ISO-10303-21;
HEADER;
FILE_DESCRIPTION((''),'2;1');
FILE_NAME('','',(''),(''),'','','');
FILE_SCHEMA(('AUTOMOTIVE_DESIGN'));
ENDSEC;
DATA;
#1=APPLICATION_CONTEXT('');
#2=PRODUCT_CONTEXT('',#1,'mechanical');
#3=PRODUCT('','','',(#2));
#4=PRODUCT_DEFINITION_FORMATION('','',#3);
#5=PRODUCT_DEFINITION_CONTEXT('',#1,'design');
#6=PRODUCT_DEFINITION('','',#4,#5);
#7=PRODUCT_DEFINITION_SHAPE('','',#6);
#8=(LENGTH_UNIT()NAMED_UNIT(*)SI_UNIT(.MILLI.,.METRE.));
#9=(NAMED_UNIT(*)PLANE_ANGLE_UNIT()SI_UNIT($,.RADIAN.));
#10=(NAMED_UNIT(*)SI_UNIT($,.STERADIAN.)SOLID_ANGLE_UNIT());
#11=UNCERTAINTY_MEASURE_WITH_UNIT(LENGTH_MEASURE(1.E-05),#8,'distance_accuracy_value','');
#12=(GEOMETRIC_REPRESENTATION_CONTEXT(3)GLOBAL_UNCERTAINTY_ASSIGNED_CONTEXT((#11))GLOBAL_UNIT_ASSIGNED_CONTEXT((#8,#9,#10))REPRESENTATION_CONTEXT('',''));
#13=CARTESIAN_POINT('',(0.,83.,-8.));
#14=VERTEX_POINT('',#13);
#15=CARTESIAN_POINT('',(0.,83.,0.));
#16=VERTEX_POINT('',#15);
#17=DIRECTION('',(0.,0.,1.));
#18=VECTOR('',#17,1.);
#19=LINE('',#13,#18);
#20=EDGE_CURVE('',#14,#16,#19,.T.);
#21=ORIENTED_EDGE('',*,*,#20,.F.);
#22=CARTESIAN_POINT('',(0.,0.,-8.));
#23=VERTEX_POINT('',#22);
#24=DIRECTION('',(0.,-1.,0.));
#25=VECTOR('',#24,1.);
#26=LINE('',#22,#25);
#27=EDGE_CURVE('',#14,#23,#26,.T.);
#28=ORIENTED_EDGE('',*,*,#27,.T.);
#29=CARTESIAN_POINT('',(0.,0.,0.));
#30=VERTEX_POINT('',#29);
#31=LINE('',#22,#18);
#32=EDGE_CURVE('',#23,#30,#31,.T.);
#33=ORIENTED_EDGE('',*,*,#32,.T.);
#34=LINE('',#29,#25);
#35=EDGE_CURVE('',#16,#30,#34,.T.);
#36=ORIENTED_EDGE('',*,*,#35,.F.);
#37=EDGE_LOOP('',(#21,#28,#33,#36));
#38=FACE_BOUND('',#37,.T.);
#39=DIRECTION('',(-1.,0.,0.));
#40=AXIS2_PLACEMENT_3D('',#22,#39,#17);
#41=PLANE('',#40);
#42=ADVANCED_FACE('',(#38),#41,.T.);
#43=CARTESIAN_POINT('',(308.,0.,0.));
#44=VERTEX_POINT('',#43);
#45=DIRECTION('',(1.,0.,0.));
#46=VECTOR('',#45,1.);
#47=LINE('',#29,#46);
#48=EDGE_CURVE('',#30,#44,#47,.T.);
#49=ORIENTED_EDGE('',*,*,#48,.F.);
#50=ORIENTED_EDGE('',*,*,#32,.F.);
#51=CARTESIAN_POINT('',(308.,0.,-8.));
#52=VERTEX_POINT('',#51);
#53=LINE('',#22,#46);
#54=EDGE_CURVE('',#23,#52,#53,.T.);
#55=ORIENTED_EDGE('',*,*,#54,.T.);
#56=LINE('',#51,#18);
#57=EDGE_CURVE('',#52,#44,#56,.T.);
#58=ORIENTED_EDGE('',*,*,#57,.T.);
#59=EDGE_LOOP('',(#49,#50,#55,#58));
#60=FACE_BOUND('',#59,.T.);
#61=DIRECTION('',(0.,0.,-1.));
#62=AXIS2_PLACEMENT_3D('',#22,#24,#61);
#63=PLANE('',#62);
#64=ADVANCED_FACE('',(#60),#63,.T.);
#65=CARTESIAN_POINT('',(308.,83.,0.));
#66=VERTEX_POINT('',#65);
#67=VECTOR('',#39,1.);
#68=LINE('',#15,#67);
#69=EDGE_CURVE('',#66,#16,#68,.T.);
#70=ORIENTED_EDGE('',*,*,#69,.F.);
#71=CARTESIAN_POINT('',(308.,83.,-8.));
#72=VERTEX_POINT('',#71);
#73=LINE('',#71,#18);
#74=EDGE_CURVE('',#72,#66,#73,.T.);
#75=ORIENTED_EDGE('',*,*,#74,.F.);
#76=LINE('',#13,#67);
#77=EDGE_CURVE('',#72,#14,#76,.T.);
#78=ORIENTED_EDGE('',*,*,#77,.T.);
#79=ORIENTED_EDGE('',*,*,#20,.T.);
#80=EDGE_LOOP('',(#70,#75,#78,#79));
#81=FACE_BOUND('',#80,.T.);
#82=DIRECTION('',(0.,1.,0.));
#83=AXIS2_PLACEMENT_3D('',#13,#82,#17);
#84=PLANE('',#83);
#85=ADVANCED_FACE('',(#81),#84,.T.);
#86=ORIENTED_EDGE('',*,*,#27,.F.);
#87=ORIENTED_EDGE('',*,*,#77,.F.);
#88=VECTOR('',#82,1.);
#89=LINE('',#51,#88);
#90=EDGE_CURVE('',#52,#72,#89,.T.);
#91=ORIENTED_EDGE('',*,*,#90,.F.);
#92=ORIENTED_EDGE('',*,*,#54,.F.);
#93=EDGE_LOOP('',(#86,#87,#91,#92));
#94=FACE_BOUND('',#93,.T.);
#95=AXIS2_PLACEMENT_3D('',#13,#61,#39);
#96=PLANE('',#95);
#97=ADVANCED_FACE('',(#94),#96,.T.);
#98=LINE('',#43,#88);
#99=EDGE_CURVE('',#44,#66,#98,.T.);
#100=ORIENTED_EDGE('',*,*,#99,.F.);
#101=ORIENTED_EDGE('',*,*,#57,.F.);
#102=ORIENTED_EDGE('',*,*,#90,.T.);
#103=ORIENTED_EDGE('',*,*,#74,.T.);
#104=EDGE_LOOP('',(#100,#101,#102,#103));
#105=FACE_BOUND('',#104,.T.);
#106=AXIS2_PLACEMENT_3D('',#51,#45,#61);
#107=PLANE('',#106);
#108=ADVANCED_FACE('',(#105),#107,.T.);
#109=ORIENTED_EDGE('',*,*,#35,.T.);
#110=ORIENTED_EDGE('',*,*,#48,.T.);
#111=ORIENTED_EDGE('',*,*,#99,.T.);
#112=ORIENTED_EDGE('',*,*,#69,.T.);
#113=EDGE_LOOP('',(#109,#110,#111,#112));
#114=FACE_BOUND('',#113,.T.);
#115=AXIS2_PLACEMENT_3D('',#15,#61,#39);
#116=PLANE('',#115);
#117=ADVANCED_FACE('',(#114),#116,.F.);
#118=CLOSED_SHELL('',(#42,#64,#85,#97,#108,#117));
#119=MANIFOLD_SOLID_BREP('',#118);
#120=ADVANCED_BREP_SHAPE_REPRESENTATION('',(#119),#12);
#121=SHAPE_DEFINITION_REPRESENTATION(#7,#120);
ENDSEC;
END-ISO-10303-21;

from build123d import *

# Parameters (mm, degrees)
ESQUISSE1_W      = 308
ESQUISSE1_H      = 83
EXTRUSION1_DEPTH = 8


with BuildPart() as part:
    # Esquisse1 → Extrusion1 (new body)
    with BuildSketch(Plane.XY):
        with Locations((154, 41.5)):
            Rectangle(ESQUISSE1_W, ESQUISSE1_H)
    extrude(amount=-EXTRUSION1_DEPTH)


solid = part.part
